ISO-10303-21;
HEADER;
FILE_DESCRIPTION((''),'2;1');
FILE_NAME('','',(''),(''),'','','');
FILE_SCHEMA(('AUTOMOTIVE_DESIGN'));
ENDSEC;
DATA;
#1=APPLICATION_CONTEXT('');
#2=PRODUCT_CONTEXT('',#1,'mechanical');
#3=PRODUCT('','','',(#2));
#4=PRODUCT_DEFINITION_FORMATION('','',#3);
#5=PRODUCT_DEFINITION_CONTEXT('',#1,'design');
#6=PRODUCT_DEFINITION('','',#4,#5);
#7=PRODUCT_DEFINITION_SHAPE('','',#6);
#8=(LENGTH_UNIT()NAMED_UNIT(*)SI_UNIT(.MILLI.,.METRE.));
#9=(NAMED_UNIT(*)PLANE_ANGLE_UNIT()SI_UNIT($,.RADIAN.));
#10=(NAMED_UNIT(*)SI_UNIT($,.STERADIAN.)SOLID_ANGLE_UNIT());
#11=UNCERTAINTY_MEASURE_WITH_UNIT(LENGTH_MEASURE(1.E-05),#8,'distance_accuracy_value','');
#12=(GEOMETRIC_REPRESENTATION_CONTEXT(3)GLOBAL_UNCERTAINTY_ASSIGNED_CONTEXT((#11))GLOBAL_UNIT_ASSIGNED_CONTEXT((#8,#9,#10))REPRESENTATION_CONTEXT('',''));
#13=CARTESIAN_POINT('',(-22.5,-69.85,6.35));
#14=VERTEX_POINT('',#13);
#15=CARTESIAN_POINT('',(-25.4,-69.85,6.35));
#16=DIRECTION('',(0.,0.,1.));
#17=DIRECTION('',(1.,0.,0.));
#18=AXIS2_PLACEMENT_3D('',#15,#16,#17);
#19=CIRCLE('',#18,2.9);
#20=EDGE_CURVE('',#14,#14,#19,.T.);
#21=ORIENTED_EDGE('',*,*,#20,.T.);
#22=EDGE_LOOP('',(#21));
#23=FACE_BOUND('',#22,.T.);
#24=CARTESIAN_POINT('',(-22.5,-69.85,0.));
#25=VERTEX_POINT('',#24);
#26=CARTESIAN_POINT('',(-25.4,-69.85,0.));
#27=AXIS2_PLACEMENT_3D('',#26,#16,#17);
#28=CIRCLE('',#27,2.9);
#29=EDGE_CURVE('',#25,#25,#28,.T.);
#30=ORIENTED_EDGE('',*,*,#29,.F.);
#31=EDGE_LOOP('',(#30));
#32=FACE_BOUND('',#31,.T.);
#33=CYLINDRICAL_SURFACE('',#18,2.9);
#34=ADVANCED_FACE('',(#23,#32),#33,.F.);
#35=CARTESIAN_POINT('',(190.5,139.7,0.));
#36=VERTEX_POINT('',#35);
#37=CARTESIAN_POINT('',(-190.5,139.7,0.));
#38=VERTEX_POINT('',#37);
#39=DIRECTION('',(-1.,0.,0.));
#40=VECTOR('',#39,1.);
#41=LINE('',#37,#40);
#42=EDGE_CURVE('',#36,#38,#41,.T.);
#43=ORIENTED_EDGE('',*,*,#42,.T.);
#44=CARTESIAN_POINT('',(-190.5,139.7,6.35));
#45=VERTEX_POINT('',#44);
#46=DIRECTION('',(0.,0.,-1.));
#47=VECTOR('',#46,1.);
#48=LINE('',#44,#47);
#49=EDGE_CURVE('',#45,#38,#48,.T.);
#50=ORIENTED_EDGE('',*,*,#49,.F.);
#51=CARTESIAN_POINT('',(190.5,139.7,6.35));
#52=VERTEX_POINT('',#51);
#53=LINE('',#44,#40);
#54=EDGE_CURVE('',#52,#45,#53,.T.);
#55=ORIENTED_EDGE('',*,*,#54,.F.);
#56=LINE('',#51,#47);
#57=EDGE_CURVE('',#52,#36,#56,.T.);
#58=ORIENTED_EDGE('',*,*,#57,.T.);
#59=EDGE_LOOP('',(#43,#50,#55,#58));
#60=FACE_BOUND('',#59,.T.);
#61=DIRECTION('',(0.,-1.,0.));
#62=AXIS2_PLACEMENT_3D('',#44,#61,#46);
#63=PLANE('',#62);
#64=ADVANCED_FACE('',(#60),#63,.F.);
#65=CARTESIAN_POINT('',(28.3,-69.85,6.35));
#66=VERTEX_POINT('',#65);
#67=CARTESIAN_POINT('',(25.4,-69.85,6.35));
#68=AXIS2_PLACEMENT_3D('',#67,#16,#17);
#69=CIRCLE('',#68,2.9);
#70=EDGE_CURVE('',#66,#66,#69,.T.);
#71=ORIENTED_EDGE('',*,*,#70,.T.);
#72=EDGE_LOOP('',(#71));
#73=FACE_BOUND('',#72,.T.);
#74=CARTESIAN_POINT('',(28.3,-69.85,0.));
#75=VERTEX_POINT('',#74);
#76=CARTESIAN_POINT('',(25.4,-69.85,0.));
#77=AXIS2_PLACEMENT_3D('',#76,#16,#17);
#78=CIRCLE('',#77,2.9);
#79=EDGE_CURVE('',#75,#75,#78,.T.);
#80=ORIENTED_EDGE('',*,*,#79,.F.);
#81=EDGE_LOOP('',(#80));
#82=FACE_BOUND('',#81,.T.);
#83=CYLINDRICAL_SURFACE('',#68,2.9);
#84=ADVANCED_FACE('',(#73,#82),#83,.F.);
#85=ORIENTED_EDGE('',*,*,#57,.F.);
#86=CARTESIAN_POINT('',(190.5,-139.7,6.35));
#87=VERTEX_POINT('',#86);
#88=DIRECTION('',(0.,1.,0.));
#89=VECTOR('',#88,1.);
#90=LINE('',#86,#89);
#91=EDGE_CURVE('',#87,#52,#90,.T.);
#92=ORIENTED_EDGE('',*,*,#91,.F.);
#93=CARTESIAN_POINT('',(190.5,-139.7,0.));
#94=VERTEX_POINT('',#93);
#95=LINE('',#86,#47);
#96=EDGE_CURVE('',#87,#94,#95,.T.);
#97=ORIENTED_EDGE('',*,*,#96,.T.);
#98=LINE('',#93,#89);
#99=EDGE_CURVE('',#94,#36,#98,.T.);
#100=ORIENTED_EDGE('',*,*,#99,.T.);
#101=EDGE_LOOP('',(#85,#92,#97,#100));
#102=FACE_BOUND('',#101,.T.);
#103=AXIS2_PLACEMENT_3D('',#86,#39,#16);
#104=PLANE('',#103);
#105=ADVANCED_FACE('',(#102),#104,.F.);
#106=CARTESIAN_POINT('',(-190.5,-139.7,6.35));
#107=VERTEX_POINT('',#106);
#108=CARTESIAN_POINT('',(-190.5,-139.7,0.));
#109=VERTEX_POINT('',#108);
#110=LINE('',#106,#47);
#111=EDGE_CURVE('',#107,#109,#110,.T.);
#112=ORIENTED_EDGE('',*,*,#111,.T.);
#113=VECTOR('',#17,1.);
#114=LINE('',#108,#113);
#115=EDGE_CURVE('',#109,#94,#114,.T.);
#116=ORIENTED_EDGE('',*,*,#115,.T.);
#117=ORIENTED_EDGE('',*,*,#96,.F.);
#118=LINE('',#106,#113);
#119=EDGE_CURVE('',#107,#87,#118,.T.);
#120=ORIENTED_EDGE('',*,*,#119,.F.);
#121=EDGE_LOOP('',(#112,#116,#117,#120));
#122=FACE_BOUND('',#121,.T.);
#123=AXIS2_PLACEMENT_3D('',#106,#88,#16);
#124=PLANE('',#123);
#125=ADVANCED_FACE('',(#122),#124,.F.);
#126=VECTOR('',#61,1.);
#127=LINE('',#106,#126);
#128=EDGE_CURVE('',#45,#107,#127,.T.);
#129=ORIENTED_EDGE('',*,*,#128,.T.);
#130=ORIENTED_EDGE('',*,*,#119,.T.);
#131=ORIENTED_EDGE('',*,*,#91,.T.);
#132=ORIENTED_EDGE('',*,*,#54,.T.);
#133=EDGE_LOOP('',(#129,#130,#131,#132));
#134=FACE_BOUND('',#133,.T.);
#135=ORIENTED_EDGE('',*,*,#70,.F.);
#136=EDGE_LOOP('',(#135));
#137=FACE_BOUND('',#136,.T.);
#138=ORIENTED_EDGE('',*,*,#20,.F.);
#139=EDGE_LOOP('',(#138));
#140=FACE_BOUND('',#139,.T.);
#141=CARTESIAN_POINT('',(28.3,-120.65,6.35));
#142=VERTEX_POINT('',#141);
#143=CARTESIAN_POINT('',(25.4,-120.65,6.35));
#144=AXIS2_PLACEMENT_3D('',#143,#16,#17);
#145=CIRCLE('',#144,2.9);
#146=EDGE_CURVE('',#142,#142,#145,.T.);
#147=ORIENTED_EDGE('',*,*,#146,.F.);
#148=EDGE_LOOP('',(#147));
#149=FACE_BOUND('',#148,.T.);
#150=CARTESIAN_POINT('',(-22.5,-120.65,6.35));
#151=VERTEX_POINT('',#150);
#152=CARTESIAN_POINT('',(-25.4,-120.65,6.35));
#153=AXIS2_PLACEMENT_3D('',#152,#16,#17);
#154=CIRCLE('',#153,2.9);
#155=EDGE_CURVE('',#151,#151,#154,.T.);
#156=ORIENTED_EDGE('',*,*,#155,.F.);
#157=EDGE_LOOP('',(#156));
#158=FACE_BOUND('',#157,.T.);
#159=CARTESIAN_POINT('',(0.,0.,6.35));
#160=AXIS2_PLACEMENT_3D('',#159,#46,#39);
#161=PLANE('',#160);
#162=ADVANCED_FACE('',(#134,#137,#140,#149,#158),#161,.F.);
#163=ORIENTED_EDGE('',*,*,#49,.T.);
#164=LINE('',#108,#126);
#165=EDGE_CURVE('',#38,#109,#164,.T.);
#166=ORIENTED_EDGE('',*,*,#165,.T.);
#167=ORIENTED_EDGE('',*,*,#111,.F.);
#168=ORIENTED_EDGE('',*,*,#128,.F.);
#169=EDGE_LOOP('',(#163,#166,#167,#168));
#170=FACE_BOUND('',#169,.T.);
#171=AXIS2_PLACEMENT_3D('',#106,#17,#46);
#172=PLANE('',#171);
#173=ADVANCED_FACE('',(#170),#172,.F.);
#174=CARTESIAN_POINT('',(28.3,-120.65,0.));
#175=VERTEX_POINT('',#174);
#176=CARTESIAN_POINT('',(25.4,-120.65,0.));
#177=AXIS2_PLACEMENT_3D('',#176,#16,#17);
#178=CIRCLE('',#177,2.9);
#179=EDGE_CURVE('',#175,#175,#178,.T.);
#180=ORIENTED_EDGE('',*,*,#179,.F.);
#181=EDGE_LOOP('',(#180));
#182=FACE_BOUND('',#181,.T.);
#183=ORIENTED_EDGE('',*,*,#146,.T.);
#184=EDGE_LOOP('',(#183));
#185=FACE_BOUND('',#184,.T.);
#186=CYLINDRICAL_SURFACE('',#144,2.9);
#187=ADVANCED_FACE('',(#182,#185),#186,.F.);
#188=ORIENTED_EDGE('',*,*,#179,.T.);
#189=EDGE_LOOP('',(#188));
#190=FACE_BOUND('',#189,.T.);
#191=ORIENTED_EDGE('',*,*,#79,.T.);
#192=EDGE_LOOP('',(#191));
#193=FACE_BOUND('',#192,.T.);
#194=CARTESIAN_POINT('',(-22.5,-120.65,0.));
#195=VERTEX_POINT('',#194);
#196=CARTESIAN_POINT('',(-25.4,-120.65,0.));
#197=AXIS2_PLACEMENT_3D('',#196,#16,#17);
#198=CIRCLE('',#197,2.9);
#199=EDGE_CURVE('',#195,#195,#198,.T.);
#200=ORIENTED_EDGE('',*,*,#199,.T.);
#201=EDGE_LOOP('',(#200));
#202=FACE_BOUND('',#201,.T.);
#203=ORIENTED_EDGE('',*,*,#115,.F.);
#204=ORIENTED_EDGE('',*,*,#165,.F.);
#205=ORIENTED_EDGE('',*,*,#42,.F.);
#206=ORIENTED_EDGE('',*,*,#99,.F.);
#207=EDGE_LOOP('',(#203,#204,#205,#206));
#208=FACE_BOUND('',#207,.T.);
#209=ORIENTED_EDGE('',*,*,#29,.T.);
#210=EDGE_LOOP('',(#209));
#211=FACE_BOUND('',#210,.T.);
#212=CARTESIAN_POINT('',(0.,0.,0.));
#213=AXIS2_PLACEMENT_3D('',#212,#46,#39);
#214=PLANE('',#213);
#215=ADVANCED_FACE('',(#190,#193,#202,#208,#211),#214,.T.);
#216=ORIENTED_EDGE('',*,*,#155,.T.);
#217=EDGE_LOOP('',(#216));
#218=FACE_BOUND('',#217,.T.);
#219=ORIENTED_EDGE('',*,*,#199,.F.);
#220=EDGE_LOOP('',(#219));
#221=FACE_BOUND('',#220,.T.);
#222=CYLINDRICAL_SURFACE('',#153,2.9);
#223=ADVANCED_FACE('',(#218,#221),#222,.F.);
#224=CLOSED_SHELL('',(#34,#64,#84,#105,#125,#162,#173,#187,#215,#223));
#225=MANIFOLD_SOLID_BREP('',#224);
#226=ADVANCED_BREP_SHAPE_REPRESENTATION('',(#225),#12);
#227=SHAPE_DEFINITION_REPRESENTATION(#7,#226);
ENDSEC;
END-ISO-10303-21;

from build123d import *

# Parameters (mm, degrees)
SKETCH1_W            = 381
SKETCH1_H            = 279.4
BOSS_EXTRUDE1_DEPTH  = 6.35
M5_CLEARANCE_HOLE1_D = 5.8


with BuildPart() as part:
    # Sketch1 → Boss-Extrude1 (new body)
    with BuildSketch(Plane.XY):
        Rectangle(SKETCH1_W, SKETCH1_H)
    extrude(amount=BOSS_EXTRUDE1_DEPTH)

    # M5 Clearance Hole1 (through all)
    with Locations(Plane.XY.offset(6.35)):
        with Locations((-25.4, -120.65), (-25.4, -69.85), (25.4, -120.65), (25.4, -69.85)):
            Hole(M5_CLEARANCE_HOLE1_D / 2)


solid = part.part
